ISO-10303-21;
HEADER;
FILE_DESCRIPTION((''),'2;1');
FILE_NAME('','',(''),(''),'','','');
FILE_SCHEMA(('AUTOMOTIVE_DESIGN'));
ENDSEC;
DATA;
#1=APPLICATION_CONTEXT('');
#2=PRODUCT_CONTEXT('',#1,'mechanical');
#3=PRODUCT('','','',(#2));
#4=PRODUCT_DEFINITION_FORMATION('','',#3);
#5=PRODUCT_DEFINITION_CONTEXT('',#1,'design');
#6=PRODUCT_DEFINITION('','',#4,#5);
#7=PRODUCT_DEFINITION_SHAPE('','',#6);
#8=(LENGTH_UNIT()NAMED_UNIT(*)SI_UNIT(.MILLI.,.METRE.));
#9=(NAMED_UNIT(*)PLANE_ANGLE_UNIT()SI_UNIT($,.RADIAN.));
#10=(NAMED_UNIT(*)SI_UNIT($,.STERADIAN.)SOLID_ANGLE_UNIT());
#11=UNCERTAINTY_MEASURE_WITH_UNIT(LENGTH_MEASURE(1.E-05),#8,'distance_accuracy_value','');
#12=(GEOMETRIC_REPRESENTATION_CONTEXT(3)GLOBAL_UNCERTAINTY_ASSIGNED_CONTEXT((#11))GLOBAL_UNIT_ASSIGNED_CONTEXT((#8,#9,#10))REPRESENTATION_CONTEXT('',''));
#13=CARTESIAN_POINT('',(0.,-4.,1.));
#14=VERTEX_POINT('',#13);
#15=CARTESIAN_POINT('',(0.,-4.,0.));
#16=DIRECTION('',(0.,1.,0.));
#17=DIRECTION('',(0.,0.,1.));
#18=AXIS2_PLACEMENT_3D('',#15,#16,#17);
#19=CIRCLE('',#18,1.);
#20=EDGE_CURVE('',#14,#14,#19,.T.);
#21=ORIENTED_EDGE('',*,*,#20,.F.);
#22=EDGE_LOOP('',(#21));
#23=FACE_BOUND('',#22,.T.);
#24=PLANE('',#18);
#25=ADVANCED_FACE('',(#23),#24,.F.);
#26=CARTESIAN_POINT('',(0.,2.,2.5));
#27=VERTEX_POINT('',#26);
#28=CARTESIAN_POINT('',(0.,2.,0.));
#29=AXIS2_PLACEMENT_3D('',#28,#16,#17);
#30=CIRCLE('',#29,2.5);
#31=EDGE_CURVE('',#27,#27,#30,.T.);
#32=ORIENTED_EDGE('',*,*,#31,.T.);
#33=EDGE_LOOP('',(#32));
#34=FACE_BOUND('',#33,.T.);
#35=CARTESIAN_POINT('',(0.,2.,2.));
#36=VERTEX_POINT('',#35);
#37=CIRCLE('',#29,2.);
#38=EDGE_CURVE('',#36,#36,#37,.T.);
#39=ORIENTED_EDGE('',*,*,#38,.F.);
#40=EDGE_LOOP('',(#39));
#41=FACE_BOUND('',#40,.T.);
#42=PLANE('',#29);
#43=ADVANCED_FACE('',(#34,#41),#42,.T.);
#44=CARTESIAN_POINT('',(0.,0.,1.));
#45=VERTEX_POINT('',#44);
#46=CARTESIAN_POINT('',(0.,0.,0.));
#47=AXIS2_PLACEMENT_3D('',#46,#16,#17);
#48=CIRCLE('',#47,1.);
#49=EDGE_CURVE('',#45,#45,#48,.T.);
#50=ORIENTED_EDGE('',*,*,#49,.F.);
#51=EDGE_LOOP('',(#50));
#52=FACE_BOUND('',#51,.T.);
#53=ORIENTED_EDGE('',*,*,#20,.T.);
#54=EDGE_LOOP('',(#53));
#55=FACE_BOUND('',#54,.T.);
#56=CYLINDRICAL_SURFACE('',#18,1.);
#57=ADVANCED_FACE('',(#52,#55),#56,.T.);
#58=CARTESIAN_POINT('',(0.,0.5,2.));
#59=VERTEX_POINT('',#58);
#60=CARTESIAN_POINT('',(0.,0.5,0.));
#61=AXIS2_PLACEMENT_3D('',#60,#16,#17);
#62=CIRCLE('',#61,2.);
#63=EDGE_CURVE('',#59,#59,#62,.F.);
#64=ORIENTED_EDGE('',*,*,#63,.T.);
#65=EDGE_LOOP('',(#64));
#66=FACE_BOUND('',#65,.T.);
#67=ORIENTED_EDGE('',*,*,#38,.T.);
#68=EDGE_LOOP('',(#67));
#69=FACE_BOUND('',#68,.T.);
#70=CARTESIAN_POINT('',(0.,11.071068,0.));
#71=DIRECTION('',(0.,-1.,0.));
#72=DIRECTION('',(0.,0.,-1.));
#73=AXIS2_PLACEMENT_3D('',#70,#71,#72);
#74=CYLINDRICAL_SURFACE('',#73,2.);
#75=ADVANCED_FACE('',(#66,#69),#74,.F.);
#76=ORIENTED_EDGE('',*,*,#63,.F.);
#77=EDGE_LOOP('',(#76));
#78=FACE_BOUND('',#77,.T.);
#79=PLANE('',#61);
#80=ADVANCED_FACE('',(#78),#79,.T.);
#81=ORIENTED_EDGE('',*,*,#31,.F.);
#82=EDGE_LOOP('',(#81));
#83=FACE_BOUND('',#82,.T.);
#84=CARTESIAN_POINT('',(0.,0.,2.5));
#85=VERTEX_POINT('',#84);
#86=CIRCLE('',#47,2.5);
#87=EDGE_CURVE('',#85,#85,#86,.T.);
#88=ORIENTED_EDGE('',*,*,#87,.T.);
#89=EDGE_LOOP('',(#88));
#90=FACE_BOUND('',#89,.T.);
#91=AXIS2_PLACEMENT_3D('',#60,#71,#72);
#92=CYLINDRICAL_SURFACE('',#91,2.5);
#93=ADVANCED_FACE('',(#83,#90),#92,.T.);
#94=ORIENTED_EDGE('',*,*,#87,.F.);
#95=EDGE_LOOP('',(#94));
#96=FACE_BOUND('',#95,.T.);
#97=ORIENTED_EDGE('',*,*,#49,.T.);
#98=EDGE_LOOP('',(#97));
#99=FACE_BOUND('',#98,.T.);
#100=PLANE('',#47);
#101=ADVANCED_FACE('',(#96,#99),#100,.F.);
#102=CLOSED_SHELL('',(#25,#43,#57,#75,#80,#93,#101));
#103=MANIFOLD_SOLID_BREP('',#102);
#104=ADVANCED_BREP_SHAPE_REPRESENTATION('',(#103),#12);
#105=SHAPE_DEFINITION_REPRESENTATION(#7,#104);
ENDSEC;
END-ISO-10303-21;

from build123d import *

# Parameters (mm, degrees)
BOTTOMBASES_R     = 1
BOTTOM_BASE_DEPTH = 4
MAINBASES_R       = 2.5
MAIN_BASE_DEPTH   = 0.5
WALLS_R           = 2.5
WALLS_R_2         = 2
WALL_DEPTH        = 1.5


with BuildPart() as part:
    # BottomBaseS → BOTTOM BASE (new body)
    with BuildSketch(Plane(origin=(0, 0, 0), x_dir=(1, 0, 0), z_dir=(0, 1, 0))):
        with Locations(Location((0, 0, 0), (0, 0, 270))):
            Circle(BOTTOMBASES_R)
    extrude(amount=-BOTTOM_BASE_DEPTH)

    # MainBaseS → MAIN BASE (add)
    with BuildSketch(Plane(origin=(0, 0, 0), x_dir=(1, 0, 0), z_dir=(0, 1, 0))):
        with Locations(Location((0, 0, 0), (0, 0, 270))):
            Circle(MAINBASES_R)
    extrude(amount=MAIN_BASE_DEPTH)

    # WallS → WALL (add)
    with BuildSketch(Plane(origin=(0, 0.5, 0), x_dir=(1, 0, 0), z_dir=(0, 1, 0))):
        with Locations(Location((0, 0, 0), (0, 0, 270))):
            Circle(WALLS_R)
        with Locations(Location((0, 0, 0), (0, 0, 270))):
            Circle(WALLS_R_2, mode=Mode.SUBTRACT)
    extrude(amount=WALL_DEPTH)


solid = part.part
